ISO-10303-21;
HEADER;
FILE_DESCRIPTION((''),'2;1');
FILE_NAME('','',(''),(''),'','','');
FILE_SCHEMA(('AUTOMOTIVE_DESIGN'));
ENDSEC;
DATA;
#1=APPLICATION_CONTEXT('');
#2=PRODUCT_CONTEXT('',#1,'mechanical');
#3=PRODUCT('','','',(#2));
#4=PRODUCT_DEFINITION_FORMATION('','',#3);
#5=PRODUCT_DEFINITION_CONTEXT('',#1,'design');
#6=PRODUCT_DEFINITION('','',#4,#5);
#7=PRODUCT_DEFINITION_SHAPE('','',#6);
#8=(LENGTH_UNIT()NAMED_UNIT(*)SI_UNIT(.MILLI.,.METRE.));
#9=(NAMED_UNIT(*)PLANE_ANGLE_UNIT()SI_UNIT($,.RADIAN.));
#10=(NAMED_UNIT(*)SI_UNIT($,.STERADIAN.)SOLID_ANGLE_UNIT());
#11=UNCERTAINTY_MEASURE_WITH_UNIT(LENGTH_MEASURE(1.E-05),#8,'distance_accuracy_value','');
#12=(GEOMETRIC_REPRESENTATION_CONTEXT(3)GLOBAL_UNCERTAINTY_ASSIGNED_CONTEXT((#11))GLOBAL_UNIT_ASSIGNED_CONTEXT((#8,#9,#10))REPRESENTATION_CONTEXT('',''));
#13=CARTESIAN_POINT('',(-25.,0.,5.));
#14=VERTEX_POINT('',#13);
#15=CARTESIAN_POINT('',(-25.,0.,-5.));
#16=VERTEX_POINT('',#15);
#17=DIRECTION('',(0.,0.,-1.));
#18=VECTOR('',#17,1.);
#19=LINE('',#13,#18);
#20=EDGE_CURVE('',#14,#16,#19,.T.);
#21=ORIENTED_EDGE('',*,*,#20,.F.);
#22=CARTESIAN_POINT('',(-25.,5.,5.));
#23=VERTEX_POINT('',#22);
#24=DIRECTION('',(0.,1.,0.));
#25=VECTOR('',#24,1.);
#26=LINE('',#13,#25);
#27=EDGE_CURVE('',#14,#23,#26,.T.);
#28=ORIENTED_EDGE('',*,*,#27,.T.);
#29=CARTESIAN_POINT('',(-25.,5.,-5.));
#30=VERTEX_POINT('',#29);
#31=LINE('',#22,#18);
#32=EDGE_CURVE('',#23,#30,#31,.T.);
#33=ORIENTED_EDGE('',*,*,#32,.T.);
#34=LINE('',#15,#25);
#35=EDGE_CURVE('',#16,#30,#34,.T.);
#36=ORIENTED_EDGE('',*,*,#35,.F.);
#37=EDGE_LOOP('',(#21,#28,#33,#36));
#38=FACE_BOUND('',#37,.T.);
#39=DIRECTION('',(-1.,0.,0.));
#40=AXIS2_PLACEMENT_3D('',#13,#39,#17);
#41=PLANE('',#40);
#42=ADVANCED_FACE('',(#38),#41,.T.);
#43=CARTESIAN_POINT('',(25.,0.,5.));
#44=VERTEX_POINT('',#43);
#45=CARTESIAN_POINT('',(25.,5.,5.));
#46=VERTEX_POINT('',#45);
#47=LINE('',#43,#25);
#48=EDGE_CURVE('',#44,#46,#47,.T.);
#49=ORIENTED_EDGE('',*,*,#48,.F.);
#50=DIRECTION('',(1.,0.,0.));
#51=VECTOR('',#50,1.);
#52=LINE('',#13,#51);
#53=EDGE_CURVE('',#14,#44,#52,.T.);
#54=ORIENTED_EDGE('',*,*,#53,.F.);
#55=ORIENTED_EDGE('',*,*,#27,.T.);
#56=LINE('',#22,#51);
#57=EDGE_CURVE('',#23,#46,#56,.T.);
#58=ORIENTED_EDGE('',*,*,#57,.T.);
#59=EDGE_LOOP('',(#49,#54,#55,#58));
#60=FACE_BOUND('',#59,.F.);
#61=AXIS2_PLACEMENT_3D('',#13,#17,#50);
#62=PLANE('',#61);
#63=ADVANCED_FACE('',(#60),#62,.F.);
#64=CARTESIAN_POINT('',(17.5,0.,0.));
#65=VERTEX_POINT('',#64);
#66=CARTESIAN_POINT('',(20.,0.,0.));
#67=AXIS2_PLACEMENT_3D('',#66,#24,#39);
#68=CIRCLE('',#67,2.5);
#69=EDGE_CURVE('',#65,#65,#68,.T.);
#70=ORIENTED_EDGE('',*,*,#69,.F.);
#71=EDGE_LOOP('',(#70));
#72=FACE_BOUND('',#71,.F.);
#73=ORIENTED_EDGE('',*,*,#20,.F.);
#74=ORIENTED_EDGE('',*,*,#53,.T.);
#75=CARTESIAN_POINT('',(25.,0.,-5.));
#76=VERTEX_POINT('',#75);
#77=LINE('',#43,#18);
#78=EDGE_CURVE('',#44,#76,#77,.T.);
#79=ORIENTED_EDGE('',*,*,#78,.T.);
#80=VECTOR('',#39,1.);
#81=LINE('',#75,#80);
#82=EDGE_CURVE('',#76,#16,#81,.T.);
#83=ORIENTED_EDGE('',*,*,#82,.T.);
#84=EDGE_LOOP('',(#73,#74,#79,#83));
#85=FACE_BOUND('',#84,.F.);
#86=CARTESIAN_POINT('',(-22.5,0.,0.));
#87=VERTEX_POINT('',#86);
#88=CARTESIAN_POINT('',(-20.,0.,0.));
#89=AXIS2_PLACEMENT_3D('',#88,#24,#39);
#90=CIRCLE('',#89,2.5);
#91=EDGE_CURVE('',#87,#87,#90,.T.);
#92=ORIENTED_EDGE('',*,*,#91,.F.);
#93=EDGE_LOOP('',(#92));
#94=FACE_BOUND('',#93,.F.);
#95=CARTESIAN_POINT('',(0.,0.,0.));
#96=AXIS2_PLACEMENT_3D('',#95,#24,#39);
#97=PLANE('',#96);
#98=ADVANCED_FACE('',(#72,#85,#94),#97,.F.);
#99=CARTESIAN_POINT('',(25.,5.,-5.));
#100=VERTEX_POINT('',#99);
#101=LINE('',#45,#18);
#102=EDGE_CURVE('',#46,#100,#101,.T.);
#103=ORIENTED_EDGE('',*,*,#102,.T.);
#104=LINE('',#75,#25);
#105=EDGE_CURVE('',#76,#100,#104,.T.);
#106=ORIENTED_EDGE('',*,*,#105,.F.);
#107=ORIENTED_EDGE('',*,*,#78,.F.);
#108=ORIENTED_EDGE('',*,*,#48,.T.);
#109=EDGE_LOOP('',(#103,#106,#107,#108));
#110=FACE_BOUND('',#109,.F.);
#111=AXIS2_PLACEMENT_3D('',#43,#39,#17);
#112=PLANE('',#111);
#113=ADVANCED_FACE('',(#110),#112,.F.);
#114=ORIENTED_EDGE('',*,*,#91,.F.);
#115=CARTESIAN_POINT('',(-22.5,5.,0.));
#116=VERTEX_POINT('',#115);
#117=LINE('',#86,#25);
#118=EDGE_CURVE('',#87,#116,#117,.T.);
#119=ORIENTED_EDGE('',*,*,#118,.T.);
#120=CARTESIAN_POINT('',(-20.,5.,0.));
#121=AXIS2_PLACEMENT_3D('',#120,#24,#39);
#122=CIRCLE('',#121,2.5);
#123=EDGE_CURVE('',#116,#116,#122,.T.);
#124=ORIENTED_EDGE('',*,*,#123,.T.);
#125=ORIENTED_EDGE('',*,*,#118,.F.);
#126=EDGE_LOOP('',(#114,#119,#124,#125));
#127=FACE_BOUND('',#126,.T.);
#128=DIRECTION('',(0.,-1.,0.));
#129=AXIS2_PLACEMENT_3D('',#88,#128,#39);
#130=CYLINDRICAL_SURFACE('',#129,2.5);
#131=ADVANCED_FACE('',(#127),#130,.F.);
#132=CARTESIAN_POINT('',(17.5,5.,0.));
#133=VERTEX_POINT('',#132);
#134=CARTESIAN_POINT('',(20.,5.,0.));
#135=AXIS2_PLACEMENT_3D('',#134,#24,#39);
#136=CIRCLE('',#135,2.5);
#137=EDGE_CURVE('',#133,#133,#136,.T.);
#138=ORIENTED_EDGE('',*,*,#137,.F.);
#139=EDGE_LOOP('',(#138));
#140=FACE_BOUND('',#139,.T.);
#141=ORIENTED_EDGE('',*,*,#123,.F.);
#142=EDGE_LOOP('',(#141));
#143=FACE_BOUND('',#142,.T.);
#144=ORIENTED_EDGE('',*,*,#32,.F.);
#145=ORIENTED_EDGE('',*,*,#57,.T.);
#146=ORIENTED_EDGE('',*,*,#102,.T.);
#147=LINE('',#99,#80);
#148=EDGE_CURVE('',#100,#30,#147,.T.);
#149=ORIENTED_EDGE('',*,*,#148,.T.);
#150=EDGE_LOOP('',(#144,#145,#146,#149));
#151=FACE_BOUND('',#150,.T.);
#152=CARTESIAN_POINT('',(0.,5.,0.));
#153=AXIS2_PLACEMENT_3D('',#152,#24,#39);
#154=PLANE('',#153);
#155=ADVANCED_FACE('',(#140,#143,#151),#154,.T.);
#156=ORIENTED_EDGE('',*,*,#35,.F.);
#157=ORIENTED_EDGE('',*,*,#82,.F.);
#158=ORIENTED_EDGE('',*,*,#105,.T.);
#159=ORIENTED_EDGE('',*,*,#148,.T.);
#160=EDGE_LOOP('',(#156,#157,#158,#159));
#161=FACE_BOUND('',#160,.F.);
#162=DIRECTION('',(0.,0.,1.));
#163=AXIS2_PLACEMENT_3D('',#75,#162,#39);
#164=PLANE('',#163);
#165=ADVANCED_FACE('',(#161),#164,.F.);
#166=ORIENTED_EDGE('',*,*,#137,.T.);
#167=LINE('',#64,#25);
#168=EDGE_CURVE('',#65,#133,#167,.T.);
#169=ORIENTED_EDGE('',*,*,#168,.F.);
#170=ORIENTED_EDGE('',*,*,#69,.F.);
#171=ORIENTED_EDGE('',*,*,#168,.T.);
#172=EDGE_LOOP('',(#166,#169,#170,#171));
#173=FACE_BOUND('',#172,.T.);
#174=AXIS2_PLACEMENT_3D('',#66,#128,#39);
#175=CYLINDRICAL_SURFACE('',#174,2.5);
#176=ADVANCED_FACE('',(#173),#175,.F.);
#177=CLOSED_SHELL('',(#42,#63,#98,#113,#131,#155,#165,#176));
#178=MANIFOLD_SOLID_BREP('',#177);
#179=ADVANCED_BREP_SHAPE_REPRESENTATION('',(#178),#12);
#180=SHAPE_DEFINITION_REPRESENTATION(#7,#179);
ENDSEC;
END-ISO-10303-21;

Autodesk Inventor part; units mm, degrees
ref_plane "YZ Plane" through (0, 0, 0) normal (1, 0, 0) x (0, 1, 0)
ref_plane "XZ Plane" through (0, 0, 0) normal (0, 1, 0) x (-1, 0, 0)
ref_plane "XY Plane" through (0, 0, 0) normal (0, 0, 1) x (1, 0, 0)
sketch "Sketch1" plane through (0, 0, 0) normal (0, 1, 0) x (-1, 0, 0)
  line L0 (-25, -5) -> (25, -5)
  line L1 (25, 0) -> (25, 0)
  line L2 (25, 5) -> (-25, 5)
  line L3 (-25, 0) -> (-25, 0)
  line L4 (-25, -5) -> (25, 5) construction
  line L5 (25, -5) -> (-25, 5) construction
  circle A0 centre (20, 0) radius 2.5
  line L6 (-25, 5) -> (-25, -5)
  line L7 (25, 5) -> (25, -5)
  circle A1 centre (-20, 0) radius 2.5
  point P0 (0, 0)
  dimension "d0" = 10
  dimension "d1" = 50
  dimension "d3" = 5
  dimension "d6" = 5
  dimension "d8" = 5
  dimension "d13" = 5
  dimension "d14" = 5
  dimension "d15" = 5
extrude "Extrusion1" add sketch "Sketch1" along normal blind 5
properties part number "link"
